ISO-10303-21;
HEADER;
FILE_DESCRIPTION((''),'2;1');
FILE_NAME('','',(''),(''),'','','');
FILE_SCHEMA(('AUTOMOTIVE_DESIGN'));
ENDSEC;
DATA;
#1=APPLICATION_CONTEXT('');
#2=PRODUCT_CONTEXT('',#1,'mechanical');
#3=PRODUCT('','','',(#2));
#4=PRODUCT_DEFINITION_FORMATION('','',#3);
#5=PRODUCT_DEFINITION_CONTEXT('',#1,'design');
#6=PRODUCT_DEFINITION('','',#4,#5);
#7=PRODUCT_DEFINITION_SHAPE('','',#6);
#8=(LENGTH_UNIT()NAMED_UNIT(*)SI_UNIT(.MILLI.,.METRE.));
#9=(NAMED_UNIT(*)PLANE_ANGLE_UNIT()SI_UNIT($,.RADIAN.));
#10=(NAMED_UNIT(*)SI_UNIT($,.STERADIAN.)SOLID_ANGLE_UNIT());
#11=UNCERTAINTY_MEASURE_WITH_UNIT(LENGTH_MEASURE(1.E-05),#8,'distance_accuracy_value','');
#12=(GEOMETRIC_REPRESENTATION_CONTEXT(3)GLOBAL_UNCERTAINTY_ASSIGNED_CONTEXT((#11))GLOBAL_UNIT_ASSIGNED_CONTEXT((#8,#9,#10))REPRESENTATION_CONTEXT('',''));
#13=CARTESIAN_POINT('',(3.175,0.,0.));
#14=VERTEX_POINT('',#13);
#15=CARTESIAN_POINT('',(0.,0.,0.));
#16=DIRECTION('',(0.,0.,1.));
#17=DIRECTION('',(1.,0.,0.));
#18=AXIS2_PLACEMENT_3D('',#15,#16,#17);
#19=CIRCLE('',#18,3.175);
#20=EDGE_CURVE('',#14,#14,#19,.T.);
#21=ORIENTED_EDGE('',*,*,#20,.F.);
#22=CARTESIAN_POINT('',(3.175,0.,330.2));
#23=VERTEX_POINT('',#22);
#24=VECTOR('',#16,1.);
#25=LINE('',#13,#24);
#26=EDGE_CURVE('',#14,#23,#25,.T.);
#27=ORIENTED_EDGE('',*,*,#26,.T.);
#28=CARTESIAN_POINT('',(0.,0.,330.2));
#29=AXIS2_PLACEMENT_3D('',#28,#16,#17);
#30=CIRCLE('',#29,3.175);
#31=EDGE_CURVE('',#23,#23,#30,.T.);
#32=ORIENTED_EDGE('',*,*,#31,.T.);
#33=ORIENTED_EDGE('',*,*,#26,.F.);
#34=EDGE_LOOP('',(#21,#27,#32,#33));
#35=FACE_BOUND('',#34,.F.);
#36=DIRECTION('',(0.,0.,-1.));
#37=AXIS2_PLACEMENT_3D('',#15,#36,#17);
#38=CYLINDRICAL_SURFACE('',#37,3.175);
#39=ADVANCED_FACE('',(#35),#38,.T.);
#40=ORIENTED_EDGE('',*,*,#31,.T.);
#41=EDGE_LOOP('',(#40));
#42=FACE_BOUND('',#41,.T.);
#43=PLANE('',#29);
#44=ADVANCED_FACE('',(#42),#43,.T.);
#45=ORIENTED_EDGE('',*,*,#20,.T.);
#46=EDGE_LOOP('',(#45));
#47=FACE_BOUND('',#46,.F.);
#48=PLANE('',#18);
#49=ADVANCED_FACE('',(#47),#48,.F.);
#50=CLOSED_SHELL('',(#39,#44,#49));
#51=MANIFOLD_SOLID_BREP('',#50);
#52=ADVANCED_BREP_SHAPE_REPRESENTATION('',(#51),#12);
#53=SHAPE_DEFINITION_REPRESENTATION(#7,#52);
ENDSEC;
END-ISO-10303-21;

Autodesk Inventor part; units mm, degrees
ref_plane "YZ Plane" through (0, 0, 0) normal (1, 0, 0) x (0, 1, 0)
ref_plane "XZ Plane" through (0, 0, 0) normal (0, 1, 0) x (-1, 0, 0)
ref_plane "XY Plane" through (0, 0, 0) normal (0, 0, 1) x (1, 0, 0)
sketch "Sketch1" plane through (0, 0, 0) normal (0, 0, 1) x (1, 0, 0)
  circle A0 centre (0, 0) radius 3.175
  dimension "d0" = 6.35
extrude "Extrusion1" add sketch "Sketch1" along normal blind 330.2
properties part number "mockRod"
